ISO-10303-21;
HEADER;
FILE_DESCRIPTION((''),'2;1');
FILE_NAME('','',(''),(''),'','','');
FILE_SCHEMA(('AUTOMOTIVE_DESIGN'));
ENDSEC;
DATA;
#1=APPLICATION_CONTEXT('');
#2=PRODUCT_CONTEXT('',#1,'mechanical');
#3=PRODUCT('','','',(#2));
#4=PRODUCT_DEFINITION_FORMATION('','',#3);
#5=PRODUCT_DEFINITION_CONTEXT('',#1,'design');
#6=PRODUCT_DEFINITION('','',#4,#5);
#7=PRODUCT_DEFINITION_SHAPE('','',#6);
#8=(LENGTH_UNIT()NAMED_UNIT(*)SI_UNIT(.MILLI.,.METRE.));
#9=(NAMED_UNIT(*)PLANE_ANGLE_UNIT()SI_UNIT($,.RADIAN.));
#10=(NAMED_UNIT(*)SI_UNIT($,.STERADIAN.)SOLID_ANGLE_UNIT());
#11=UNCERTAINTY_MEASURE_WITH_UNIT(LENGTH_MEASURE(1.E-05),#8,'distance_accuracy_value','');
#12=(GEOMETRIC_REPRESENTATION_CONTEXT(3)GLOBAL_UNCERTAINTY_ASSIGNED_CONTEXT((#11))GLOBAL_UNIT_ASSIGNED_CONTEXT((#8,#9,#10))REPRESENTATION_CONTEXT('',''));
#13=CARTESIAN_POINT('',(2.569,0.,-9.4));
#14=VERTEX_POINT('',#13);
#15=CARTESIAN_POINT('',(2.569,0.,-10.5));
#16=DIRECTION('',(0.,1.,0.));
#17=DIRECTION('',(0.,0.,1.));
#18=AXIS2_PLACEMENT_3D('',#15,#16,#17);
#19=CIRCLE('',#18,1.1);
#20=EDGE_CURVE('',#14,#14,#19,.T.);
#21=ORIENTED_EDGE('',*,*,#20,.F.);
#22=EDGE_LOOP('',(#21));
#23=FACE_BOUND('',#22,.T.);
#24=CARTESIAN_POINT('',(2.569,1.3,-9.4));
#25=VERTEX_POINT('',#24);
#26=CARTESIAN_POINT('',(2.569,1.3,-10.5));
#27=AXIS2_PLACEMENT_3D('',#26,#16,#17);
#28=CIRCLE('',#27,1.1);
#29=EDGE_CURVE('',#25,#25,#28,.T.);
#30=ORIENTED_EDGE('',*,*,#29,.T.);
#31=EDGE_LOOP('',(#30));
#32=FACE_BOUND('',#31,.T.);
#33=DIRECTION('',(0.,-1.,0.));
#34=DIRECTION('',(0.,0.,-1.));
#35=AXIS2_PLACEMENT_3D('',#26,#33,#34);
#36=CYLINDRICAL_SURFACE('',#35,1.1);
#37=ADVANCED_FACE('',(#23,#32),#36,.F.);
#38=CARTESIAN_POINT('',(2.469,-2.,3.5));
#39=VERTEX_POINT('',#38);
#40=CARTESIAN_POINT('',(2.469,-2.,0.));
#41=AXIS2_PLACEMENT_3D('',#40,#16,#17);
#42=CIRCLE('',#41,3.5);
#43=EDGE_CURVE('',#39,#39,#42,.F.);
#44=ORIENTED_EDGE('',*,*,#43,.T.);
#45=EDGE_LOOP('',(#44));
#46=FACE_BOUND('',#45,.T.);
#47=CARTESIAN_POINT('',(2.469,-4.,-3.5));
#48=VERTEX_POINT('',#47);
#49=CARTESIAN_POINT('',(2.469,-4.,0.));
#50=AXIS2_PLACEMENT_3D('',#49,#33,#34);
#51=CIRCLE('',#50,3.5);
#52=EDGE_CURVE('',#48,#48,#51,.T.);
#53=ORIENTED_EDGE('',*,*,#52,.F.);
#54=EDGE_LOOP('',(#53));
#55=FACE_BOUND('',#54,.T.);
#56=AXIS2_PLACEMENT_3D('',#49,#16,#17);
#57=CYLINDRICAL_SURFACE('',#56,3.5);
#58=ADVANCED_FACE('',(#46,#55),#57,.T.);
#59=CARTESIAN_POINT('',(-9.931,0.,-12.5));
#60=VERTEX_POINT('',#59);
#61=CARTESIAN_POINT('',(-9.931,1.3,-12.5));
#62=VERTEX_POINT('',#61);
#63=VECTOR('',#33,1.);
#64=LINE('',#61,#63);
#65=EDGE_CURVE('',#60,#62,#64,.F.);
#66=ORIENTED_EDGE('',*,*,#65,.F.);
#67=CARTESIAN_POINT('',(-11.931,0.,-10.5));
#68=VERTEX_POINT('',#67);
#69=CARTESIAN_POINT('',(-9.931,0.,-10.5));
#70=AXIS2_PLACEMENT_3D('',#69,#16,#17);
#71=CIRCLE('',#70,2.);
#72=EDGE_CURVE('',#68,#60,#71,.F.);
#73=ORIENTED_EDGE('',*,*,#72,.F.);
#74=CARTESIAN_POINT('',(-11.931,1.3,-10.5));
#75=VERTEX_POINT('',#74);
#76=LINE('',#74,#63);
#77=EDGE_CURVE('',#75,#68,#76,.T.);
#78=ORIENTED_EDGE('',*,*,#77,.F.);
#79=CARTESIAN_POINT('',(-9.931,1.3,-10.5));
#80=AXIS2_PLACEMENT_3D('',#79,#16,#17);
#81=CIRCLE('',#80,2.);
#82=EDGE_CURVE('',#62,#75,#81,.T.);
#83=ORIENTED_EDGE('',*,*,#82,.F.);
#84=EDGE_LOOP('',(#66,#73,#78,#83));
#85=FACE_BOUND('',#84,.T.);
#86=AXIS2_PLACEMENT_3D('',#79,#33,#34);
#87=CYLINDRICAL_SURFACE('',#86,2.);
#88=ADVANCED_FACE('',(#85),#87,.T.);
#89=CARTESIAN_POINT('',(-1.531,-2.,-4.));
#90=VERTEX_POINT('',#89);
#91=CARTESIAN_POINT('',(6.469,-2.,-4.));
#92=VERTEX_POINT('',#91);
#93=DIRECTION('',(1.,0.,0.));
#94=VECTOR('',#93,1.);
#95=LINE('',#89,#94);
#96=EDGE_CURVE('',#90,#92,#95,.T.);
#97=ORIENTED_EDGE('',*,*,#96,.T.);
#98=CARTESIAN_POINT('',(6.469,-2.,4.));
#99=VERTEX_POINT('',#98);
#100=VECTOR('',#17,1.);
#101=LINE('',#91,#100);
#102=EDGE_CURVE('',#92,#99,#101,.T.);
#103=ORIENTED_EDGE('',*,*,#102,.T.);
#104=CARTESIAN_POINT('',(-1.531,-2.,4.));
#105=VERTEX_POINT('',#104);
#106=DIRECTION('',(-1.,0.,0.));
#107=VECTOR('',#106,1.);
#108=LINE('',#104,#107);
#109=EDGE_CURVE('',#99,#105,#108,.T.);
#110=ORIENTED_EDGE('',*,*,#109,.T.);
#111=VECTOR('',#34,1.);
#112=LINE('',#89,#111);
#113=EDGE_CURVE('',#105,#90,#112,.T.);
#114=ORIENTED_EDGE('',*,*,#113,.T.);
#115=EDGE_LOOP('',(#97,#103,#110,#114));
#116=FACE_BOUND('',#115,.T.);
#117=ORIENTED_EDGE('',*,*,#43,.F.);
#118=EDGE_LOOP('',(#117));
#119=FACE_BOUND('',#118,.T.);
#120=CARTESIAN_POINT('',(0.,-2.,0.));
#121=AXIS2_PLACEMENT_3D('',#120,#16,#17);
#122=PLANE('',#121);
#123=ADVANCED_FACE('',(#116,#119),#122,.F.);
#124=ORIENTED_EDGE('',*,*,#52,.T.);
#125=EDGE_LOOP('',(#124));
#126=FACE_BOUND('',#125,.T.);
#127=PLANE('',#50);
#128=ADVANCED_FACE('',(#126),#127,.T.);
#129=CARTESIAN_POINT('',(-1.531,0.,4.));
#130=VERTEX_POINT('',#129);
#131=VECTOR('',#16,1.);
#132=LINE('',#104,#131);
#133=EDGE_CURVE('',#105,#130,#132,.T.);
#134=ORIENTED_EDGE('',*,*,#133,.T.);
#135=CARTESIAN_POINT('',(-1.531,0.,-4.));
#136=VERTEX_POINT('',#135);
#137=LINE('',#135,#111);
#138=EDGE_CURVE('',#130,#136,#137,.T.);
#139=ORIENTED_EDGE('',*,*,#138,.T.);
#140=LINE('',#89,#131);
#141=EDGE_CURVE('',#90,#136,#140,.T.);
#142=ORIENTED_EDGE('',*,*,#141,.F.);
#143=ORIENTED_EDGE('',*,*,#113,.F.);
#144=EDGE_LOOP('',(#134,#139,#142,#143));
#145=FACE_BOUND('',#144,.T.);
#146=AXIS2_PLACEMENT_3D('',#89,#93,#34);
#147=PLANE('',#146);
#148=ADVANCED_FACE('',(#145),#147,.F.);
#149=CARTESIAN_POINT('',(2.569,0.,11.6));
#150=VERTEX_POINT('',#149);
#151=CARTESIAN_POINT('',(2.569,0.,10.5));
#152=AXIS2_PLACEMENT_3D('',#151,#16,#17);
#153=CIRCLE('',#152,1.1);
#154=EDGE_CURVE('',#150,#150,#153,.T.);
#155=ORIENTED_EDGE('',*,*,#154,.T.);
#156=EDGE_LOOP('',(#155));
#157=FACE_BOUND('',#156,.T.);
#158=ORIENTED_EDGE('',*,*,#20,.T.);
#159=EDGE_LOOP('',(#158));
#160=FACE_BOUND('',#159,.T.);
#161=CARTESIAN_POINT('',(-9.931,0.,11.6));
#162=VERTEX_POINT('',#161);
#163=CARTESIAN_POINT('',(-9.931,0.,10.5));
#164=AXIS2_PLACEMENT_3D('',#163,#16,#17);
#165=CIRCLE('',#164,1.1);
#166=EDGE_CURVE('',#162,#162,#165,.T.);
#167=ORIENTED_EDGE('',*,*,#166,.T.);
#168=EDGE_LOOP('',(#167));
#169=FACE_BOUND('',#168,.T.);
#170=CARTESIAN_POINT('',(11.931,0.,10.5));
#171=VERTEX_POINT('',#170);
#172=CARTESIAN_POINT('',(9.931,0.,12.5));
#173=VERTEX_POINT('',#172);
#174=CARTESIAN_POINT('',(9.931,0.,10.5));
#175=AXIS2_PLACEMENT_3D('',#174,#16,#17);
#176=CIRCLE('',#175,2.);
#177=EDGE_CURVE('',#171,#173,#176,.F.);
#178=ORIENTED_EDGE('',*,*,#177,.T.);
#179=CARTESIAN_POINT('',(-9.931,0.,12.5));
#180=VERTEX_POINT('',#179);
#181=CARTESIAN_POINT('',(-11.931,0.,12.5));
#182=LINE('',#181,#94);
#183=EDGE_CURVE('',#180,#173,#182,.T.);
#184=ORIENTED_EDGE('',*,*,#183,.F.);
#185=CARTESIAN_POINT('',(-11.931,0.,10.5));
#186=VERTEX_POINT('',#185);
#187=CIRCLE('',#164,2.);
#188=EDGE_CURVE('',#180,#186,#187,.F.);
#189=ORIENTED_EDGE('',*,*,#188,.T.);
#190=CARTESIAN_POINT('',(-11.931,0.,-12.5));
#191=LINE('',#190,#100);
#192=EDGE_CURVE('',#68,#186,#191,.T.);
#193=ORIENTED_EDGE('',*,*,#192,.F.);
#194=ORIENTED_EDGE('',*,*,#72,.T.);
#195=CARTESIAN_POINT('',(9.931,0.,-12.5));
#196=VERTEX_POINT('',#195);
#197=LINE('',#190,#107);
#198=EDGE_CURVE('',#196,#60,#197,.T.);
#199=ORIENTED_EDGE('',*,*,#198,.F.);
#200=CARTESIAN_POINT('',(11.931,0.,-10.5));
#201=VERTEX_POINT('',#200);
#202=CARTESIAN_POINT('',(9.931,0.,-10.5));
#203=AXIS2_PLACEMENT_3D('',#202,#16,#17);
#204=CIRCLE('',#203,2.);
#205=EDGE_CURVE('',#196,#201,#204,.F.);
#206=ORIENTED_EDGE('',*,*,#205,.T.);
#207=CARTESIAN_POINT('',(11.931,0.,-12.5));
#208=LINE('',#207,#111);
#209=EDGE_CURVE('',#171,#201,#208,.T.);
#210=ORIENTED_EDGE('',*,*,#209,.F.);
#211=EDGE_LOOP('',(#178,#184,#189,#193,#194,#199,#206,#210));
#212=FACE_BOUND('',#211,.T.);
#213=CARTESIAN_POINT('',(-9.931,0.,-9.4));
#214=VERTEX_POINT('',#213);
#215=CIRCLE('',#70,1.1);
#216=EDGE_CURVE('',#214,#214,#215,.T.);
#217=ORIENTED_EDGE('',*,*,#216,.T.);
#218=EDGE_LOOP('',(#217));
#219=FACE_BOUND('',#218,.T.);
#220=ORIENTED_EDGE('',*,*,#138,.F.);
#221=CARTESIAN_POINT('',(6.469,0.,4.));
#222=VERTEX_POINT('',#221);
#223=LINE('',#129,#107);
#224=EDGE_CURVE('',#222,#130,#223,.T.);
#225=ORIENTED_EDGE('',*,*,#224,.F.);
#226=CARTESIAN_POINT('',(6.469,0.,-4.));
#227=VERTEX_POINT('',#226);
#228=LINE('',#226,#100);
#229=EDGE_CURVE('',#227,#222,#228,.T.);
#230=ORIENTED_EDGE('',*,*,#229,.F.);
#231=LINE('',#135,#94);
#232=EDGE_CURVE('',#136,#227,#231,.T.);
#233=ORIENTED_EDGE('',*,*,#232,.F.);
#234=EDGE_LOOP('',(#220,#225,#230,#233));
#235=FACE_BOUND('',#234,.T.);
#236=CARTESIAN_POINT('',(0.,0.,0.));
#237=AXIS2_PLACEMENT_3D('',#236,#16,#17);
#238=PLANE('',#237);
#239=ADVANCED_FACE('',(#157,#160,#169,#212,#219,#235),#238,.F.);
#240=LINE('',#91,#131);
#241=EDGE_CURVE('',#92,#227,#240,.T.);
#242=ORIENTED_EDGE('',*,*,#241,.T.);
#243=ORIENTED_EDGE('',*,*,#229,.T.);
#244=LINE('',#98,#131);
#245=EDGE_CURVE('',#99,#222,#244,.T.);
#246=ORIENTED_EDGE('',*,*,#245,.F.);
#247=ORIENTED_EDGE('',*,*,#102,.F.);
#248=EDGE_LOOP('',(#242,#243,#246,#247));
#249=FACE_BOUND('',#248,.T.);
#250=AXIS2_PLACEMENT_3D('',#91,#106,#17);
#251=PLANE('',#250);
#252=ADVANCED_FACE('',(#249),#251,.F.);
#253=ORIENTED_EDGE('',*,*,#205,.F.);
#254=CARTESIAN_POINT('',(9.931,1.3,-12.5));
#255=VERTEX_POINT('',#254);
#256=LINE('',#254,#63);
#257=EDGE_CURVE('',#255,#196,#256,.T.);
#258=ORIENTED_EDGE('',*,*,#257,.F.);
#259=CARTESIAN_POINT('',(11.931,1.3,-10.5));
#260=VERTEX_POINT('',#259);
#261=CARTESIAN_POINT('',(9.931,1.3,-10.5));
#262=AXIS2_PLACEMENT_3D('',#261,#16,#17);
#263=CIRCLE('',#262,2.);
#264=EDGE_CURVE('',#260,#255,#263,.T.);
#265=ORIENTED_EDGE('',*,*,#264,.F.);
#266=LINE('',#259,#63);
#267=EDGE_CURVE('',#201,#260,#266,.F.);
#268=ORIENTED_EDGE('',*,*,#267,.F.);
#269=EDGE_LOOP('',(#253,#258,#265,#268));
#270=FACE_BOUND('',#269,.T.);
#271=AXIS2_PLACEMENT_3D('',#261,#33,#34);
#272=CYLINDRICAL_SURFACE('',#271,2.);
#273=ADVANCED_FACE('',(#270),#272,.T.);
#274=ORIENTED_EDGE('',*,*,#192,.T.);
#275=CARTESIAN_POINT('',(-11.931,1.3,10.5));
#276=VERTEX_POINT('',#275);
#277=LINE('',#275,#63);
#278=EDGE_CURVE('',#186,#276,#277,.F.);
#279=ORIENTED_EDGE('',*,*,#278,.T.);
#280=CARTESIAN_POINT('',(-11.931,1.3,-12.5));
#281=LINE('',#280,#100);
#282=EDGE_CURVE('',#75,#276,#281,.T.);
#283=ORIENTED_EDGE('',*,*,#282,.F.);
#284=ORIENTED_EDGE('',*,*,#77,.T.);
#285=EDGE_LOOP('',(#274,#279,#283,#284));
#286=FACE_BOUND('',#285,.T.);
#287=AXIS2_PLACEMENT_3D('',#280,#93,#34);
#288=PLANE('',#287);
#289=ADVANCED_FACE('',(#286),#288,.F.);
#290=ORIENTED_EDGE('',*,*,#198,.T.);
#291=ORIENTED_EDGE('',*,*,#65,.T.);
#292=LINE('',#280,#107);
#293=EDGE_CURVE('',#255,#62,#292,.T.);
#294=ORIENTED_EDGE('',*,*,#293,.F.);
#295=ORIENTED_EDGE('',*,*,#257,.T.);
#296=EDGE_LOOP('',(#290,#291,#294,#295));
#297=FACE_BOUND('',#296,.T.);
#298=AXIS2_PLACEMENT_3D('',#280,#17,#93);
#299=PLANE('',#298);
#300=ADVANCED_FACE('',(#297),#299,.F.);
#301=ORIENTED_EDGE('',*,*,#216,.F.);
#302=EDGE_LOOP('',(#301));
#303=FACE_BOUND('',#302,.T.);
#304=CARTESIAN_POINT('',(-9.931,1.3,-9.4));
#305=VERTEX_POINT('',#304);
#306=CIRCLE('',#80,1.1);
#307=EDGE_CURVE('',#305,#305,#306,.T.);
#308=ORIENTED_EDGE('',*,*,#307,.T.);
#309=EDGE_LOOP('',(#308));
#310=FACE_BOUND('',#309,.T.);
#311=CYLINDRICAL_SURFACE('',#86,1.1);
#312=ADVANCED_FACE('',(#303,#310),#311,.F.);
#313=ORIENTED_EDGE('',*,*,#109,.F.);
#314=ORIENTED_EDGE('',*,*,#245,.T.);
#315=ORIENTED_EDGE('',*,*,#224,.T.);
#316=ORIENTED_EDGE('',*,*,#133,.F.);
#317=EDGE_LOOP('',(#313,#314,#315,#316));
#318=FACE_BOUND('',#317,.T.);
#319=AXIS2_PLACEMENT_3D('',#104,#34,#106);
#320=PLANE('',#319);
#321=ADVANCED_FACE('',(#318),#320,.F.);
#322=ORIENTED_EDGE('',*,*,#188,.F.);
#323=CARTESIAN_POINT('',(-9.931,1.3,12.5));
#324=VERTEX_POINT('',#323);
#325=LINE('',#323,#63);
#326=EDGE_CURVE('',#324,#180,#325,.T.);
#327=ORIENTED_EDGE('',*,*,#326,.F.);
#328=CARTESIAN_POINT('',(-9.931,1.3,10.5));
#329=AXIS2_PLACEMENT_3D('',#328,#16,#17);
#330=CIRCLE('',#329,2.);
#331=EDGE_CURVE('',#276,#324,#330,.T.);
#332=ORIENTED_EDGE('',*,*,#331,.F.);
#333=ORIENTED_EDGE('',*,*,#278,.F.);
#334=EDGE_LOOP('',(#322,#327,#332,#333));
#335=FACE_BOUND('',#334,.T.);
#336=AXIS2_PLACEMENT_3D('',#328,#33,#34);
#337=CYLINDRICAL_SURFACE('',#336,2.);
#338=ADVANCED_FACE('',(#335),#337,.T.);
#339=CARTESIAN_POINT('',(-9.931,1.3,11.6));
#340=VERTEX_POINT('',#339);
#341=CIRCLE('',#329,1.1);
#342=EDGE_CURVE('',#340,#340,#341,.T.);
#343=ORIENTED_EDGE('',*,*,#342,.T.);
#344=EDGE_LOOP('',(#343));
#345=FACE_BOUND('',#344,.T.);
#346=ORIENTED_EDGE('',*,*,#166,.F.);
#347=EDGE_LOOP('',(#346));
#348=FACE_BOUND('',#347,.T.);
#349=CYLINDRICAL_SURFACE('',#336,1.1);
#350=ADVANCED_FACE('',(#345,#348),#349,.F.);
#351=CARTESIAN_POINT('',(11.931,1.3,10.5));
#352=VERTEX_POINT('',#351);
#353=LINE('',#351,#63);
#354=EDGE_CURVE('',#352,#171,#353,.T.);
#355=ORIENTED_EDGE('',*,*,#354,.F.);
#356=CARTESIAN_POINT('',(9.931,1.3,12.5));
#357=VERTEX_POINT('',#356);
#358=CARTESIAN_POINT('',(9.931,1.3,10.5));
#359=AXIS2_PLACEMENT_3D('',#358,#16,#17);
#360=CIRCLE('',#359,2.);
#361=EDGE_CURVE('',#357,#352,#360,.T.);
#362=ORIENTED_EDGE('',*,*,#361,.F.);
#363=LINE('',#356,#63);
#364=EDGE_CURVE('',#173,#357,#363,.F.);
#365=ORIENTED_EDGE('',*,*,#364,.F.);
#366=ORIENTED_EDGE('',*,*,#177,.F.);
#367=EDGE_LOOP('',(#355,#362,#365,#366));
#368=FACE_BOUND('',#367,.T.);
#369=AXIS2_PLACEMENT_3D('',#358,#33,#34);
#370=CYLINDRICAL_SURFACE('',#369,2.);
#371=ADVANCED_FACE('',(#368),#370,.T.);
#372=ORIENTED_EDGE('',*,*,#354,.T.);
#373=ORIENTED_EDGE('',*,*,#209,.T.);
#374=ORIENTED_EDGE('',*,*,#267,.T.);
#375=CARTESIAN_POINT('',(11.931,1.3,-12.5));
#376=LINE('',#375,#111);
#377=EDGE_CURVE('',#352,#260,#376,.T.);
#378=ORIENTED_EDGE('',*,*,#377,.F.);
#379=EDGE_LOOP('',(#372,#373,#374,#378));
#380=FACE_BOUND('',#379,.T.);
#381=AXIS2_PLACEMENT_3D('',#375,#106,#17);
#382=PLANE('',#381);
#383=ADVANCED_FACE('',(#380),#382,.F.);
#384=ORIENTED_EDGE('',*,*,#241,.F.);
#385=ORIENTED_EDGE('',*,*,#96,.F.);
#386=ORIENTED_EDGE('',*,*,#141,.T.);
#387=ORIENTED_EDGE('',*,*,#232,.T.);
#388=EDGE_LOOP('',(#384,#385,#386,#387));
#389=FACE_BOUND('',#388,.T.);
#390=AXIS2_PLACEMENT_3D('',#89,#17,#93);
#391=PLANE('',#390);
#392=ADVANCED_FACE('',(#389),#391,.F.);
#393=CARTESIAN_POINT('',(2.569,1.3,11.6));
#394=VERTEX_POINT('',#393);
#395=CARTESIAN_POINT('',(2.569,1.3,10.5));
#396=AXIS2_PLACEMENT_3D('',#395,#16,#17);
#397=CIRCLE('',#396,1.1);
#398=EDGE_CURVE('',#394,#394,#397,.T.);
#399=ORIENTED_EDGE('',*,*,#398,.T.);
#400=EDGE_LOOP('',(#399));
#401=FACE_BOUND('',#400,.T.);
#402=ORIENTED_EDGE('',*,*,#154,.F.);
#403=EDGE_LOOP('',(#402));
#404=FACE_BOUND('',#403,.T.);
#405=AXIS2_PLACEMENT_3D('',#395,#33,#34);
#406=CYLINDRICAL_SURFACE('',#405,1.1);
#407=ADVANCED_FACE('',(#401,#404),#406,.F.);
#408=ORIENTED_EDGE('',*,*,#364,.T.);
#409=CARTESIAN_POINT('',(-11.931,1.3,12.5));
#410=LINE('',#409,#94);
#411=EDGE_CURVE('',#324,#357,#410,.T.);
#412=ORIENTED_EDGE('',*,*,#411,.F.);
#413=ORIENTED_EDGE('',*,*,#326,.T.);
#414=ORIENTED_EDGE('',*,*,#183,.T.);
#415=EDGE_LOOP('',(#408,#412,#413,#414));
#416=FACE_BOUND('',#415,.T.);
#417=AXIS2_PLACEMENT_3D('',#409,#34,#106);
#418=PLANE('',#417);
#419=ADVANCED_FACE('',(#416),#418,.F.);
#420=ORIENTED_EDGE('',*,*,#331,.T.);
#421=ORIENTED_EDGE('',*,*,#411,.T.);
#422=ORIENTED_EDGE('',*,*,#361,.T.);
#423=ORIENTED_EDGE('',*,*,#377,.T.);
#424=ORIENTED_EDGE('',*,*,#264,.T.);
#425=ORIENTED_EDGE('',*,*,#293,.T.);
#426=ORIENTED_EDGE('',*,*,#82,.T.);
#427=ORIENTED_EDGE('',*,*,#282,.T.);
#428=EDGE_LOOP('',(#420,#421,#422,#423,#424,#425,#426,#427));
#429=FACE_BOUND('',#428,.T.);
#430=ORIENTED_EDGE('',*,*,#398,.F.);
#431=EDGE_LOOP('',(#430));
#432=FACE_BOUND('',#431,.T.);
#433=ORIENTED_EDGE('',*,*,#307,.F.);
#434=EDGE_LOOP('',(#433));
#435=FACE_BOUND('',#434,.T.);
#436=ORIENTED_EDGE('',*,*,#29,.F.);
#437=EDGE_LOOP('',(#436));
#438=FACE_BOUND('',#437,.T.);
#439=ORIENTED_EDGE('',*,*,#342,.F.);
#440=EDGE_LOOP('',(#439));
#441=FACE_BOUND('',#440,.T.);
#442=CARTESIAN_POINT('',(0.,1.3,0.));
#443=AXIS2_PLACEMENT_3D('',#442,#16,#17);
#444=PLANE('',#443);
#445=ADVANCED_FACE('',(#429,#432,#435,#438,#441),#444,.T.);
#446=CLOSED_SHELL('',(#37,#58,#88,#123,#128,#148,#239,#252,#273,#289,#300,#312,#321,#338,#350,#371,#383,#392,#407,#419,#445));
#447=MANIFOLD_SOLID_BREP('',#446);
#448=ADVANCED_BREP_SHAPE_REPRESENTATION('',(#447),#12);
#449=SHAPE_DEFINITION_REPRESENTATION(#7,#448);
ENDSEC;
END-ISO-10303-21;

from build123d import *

# Parameters (mm, degrees)
SKETCH1_W           = 23.862
SKETCH1_H           = 25
SKETCH1_R           = 1.1
BOSS_EXTRUDE1_DEPTH = 1.3
SKETCH2_W           = 8
SKETCH2_H           = 8
BOSS_EXTRUDE2_DEPTH = 2
SKETCH3_R           = 3.5
BOSS_EXTRUDE3_DEPTH = 2
FILLET1_R           = 2


with BuildPart() as part:
    # Sketch1 → Boss-Extrude1 (new body)
    with BuildSketch(Plane(origin=(0, 0, 0), x_dir=(1, 0, 0), z_dir=(0, 1, 0))):
        Rectangle(SKETCH1_W, SKETCH1_H)
        with Locations(Location((-9.931, -10.5, 0), (0, 0, 270))):
            Circle(SKETCH1_R, mode=Mode.SUBTRACT)
        with Locations(Location((2.569, -10.5, 0), (0, 0, 270))):
            Circle(SKETCH1_R, mode=Mode.SUBTRACT)
        with Locations(Location((-9.931, 10.5, 0), (0, 0, 270))):
            Circle(SKETCH1_R, mode=Mode.SUBTRACT)
        with Locations(Location((2.569, 10.5, 0), (0, 0, 270))):
            Circle(SKETCH1_R, mode=Mode.SUBTRACT)
    extrude(amount=BOSS_EXTRUDE1_DEPTH)

    # Sketch2 → Boss-Extrude2 (add)
    with BuildSketch(Plane.XZ):
        with Locations((2.469, 0)):
            Rectangle(SKETCH2_W, SKETCH2_H)
    extrude(amount=BOSS_EXTRUDE2_DEPTH)

    # Sketch3 → Boss-Extrude3 (add)
    with BuildSketch(Plane.XZ.offset(2)):
        with Locations(Location((2.469, 0, 0), (0, 0, 90))):
            Circle(SKETCH3_R)
    extrude(amount=BOSS_EXTRUDE3_DEPTH)

    # Fillet1
    fillet1_edges = [part.edges().sort_by_distance(p)[0] for p in [
        (11.931, 0.65, 12.5),
        (-11.931, 0.65, 12.5),
        (-11.931, 0.65, -12.5),
        (11.931, 0.65, -12.5),
    ]]
    fillet(fillet1_edges, radius=FILLET1_R)


solid = part.part
